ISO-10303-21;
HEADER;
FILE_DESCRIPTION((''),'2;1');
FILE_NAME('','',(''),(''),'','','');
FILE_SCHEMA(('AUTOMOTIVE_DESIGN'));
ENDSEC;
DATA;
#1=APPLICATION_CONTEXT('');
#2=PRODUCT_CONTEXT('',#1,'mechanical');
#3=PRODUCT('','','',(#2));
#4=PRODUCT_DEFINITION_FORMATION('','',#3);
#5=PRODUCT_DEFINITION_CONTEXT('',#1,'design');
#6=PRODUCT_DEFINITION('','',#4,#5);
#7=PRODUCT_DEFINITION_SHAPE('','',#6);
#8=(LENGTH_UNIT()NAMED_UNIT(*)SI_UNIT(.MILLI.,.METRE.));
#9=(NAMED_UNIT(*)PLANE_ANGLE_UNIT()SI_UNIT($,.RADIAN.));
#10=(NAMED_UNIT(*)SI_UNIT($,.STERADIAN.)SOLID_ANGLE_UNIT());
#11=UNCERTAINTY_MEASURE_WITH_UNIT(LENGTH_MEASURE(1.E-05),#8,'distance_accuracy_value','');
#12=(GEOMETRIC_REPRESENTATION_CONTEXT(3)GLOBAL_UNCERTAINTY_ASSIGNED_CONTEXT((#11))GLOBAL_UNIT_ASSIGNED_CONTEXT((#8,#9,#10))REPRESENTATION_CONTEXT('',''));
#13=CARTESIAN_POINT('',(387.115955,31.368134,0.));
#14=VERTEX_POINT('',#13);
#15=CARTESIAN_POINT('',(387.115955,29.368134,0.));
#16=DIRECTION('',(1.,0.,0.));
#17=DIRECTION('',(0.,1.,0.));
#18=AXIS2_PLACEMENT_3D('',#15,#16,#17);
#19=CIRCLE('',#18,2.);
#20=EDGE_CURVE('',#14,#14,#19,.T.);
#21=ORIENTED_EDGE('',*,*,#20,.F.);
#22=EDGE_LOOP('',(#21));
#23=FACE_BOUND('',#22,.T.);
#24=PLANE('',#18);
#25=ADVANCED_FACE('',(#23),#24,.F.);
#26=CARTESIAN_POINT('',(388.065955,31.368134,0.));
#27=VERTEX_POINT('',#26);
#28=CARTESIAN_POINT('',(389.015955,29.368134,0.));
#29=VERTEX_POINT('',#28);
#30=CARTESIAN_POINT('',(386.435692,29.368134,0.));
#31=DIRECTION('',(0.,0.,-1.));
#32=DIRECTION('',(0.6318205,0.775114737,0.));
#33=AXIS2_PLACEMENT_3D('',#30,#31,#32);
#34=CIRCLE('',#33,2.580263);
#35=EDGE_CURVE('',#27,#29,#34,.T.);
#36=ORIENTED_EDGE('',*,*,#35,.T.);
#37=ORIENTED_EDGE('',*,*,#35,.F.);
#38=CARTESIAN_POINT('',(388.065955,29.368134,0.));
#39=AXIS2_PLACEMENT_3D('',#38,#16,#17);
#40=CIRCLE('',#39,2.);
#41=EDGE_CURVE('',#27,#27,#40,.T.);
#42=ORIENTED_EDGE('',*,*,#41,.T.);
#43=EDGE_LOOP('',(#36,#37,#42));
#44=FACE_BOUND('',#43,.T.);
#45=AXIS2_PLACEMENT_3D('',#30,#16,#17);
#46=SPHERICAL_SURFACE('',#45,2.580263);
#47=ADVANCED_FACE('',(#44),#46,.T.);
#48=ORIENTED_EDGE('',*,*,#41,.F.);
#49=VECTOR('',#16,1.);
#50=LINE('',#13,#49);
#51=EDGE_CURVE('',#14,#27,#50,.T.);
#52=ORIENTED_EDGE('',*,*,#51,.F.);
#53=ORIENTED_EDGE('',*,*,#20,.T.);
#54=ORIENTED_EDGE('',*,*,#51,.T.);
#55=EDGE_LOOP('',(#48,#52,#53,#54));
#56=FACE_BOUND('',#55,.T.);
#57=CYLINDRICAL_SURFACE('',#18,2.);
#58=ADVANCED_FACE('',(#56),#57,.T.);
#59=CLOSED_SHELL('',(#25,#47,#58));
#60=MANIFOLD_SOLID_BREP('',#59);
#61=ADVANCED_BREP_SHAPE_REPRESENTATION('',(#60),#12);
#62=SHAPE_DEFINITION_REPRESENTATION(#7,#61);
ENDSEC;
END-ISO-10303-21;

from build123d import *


with BuildPart() as part:
    # 草图1 → 旋转1 (revolve)
    with BuildSketch(Plane.XY):
        with BuildLine():
            Line((387.115955268, 29.368133797), (387.115955268, 31.368133797))
            Line((387.115955268, 31.368133797), (388.065955268, 31.368133797))
            ThreePointArc((388.065955268, 31.368133797), (388.766385776, 30.475213288), (389.015955268, 29.368133797))
            Line((389.015955268, 29.368133797), (387.115955268, 29.368133797))
        make_face()
    revolve(axis=Axis((386.768704709, 29.368133797, 0), (1, 0, 0)))


solid = part.part
